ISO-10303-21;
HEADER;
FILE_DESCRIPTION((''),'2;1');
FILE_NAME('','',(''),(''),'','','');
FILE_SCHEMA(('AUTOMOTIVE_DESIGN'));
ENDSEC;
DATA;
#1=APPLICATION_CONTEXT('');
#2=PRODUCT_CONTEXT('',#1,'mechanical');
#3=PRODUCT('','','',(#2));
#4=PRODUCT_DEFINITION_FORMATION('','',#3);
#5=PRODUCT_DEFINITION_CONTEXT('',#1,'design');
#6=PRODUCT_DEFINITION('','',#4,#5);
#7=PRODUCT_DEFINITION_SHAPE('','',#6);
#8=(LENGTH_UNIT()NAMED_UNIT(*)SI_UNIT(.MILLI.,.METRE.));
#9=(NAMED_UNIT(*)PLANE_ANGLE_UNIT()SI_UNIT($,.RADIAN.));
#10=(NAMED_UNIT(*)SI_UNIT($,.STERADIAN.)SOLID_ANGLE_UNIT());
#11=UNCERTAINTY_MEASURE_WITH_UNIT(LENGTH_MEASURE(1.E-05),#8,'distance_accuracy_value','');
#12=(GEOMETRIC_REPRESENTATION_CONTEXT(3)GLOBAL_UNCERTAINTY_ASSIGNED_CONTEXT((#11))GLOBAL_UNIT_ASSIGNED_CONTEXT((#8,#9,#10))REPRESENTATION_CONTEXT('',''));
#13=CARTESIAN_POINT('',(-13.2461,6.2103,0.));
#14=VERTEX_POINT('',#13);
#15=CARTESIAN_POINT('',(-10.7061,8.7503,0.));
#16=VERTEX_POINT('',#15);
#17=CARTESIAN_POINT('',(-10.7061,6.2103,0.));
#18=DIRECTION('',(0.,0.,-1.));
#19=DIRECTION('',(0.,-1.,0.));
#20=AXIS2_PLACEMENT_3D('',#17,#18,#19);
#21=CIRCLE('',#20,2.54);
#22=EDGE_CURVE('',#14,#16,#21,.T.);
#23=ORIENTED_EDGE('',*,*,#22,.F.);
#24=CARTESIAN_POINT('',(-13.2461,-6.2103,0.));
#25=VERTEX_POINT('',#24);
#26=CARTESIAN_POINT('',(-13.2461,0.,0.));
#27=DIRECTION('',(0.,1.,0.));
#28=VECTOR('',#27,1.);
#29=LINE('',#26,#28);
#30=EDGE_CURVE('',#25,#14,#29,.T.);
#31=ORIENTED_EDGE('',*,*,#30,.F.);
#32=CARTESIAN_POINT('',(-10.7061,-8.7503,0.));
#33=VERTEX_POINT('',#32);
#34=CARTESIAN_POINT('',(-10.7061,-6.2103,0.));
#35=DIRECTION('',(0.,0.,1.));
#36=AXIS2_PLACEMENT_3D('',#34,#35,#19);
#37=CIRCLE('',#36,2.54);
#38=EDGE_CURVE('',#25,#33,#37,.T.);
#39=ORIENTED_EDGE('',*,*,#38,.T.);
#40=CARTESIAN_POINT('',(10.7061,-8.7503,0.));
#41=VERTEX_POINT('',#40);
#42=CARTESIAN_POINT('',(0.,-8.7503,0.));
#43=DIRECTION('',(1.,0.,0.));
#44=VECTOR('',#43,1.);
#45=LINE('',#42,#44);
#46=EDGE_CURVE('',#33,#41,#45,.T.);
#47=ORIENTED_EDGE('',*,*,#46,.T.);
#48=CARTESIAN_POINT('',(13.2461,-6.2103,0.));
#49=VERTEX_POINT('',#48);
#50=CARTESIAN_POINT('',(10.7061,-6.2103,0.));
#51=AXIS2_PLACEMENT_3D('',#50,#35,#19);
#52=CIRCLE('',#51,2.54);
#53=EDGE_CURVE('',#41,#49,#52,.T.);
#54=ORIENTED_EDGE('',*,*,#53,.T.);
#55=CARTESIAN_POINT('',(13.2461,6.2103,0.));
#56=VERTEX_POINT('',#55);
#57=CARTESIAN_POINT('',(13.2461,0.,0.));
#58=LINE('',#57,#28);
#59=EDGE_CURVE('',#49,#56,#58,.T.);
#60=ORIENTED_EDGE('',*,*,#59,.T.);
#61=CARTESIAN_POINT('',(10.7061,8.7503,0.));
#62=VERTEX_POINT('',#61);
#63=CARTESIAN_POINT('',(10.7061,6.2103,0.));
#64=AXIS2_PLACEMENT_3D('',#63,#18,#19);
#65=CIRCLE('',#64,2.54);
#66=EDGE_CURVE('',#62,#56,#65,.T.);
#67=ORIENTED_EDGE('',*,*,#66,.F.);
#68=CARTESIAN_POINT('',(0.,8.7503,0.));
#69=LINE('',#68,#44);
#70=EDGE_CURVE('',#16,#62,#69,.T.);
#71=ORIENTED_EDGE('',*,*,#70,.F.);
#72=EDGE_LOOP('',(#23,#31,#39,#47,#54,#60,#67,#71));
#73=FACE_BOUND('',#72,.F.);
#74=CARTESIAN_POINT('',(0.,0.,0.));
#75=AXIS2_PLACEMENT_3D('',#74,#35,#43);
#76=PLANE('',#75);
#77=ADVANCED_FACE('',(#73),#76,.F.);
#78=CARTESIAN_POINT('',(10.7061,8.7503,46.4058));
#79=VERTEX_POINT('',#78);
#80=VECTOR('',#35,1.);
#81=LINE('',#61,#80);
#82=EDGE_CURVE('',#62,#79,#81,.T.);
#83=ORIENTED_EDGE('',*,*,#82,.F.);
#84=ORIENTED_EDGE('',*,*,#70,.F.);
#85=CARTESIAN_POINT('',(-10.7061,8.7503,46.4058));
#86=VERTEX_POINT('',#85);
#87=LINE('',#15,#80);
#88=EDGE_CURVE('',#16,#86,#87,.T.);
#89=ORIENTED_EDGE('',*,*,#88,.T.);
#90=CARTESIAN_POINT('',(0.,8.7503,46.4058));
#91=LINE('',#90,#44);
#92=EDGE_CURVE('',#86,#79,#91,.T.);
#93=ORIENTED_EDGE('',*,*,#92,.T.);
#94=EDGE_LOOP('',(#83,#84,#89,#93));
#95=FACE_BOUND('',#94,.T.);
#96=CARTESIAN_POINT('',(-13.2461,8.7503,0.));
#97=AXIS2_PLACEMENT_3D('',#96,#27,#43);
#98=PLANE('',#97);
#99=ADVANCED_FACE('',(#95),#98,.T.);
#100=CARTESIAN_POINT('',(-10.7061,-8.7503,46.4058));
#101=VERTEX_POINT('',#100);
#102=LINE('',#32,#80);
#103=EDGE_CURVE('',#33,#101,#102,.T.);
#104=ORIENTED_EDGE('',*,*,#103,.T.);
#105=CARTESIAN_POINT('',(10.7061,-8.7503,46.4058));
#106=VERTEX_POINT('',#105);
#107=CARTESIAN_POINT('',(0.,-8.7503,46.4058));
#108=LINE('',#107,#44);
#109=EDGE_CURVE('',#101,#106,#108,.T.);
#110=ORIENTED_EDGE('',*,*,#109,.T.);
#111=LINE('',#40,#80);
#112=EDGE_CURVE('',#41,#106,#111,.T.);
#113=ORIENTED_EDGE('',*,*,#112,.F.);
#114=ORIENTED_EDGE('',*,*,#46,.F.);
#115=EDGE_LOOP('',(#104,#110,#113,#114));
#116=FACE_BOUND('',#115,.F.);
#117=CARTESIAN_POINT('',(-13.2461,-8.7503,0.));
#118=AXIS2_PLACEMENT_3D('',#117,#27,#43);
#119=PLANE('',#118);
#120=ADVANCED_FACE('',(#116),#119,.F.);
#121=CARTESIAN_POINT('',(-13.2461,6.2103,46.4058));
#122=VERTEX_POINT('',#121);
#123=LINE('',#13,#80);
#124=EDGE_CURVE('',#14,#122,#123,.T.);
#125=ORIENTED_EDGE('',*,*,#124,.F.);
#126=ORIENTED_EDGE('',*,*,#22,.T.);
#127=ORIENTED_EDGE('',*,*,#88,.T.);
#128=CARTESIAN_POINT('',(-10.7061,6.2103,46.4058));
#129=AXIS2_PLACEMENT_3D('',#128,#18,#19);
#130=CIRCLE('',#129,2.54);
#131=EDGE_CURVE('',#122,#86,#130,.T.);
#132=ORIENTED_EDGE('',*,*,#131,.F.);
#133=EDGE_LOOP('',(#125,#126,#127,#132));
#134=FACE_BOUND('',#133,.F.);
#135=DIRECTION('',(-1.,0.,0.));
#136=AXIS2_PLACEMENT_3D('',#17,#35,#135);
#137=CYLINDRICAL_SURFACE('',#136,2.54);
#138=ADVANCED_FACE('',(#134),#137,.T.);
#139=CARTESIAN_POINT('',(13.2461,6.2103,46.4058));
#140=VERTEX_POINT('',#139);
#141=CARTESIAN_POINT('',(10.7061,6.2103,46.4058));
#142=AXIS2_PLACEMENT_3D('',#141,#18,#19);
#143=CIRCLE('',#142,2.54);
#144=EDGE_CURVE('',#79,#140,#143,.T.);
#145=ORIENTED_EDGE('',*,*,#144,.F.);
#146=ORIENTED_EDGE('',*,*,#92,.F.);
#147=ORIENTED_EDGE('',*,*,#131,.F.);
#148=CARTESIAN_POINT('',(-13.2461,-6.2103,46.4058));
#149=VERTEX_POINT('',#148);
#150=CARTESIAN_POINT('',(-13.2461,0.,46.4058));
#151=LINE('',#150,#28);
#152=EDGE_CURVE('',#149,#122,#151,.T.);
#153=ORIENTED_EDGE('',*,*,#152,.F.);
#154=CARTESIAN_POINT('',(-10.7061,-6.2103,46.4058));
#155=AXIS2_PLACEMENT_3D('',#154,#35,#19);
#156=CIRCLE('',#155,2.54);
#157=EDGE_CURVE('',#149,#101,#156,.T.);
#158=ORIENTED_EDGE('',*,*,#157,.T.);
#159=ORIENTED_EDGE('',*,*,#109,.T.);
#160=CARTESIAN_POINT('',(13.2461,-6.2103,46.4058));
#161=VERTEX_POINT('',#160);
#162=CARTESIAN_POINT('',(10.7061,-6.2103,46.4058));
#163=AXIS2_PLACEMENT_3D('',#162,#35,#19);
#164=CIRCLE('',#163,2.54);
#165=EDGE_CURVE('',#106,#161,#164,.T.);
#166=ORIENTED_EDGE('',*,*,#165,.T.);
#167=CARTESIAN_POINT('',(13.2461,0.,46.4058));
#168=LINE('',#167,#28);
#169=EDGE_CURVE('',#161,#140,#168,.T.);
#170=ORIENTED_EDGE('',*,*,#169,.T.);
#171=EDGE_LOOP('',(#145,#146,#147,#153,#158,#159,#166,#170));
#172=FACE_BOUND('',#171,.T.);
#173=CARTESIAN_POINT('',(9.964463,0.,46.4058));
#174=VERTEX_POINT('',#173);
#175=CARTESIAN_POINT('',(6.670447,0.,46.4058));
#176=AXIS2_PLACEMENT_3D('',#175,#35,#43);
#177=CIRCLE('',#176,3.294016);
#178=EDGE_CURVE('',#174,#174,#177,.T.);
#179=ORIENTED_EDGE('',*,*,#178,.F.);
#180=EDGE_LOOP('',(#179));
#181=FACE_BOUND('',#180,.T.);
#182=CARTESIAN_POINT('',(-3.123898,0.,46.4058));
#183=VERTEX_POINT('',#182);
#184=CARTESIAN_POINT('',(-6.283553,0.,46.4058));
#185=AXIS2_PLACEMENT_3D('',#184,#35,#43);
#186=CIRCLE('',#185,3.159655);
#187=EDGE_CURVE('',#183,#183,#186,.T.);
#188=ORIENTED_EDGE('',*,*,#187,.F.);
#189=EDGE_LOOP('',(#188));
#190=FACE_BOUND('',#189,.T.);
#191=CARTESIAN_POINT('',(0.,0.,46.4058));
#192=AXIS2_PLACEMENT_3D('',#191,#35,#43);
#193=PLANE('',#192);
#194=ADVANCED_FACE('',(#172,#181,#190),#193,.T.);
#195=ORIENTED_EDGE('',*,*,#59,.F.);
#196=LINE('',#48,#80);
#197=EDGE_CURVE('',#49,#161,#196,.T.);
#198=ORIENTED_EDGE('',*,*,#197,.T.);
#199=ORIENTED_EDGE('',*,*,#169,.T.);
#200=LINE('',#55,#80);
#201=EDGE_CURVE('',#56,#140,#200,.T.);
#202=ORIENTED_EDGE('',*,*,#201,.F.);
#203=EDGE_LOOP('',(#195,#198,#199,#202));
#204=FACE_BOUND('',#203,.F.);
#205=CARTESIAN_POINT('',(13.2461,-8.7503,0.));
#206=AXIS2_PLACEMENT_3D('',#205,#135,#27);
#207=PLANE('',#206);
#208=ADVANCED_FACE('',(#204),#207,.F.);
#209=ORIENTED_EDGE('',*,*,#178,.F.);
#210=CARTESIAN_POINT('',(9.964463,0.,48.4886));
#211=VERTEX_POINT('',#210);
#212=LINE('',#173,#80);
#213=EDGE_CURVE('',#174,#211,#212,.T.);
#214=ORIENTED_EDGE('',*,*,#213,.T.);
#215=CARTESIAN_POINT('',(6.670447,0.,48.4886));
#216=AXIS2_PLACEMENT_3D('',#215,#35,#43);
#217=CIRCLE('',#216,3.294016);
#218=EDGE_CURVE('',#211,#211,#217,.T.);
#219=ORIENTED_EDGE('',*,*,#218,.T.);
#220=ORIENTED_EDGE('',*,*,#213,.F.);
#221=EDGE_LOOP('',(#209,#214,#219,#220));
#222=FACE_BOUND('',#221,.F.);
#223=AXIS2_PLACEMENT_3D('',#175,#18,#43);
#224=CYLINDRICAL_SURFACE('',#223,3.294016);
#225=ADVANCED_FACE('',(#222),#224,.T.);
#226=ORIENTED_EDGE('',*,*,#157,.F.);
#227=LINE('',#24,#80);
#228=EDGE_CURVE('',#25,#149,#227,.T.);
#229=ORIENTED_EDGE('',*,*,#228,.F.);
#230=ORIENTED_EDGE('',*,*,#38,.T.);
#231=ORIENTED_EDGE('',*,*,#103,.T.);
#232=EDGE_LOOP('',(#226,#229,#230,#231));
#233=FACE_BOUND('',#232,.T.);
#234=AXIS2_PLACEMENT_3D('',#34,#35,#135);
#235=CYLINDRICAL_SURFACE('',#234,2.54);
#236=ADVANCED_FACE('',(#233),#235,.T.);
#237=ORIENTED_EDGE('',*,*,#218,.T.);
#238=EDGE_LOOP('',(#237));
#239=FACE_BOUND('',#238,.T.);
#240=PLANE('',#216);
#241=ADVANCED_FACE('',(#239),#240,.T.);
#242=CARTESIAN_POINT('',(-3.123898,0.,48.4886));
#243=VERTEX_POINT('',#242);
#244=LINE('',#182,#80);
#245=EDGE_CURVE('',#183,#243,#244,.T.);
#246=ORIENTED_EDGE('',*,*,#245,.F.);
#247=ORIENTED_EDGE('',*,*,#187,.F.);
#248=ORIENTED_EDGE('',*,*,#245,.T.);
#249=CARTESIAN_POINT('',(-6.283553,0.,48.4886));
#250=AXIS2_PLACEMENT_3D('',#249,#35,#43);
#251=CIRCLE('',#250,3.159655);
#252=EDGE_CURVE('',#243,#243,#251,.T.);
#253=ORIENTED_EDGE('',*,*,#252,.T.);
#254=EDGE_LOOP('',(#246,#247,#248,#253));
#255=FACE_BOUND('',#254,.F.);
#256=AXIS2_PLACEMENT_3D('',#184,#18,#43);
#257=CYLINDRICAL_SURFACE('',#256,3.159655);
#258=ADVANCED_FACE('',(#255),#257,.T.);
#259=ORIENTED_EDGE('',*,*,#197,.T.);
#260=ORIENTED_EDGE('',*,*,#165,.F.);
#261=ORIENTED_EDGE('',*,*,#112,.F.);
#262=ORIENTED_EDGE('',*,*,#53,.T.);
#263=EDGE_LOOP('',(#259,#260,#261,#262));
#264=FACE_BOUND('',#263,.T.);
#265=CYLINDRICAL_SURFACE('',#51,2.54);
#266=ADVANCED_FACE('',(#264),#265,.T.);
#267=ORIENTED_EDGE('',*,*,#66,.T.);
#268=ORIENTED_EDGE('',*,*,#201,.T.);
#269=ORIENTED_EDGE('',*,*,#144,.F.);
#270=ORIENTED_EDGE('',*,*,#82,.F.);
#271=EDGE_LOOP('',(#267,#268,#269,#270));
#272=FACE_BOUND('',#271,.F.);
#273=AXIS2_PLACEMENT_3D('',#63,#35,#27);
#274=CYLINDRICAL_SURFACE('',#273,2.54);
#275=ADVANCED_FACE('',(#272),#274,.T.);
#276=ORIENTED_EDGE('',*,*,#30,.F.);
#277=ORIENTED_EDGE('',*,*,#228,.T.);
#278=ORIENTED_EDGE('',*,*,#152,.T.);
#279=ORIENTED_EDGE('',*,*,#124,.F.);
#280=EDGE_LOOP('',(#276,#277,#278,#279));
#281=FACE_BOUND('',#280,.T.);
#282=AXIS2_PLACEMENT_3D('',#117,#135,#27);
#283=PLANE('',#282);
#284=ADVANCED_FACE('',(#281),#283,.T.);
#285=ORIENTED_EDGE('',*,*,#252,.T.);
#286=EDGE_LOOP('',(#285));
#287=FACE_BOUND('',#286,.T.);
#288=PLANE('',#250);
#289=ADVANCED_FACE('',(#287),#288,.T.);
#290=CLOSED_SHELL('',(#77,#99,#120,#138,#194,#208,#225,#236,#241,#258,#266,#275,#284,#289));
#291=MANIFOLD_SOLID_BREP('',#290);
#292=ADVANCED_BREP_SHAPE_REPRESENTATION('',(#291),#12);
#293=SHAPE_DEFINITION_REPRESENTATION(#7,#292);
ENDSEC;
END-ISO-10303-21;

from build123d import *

# Parameters (mm, degrees)
F0_W     = 26.4922
F0_H     = 17.5006
F1_DEPTH = 46.4058
F2_R     = 3.159655
F2_R_2   = 3.294016
F3_DEPTH = 2.0828
F4_R     = 2.54


with BuildPart() as f1:
    # F0 (on Top) → F1 (new body)
    with BuildSketch(Plane.XY):
        Rectangle(F0_W, F0_H)
    extrude(amount=F1_DEPTH)

    # F2 (on face) → F3 (join)
    with BuildSketch(Plane.XY.offset(46.4058)):
        with Locations((-6.283553, 0)):
            Circle(F2_R)
        with Locations((6.670447, 0)):
            Circle(F2_R_2)
    extrude(amount=F3_DEPTH)

    # F4
    f4_edges = [f1.edges().sort_by_distance(p)[0] for p in [
        (-13.2461, -8.7503, 23.2029),
        (13.2461, -8.7503, 23.2029),
        (13.2461, 8.7503, 23.2029),
        (-13.2461, 8.7503, 23.2029),
    ]]
    fillet(f4_edges, radius=F4_R)


solid = f1.part
